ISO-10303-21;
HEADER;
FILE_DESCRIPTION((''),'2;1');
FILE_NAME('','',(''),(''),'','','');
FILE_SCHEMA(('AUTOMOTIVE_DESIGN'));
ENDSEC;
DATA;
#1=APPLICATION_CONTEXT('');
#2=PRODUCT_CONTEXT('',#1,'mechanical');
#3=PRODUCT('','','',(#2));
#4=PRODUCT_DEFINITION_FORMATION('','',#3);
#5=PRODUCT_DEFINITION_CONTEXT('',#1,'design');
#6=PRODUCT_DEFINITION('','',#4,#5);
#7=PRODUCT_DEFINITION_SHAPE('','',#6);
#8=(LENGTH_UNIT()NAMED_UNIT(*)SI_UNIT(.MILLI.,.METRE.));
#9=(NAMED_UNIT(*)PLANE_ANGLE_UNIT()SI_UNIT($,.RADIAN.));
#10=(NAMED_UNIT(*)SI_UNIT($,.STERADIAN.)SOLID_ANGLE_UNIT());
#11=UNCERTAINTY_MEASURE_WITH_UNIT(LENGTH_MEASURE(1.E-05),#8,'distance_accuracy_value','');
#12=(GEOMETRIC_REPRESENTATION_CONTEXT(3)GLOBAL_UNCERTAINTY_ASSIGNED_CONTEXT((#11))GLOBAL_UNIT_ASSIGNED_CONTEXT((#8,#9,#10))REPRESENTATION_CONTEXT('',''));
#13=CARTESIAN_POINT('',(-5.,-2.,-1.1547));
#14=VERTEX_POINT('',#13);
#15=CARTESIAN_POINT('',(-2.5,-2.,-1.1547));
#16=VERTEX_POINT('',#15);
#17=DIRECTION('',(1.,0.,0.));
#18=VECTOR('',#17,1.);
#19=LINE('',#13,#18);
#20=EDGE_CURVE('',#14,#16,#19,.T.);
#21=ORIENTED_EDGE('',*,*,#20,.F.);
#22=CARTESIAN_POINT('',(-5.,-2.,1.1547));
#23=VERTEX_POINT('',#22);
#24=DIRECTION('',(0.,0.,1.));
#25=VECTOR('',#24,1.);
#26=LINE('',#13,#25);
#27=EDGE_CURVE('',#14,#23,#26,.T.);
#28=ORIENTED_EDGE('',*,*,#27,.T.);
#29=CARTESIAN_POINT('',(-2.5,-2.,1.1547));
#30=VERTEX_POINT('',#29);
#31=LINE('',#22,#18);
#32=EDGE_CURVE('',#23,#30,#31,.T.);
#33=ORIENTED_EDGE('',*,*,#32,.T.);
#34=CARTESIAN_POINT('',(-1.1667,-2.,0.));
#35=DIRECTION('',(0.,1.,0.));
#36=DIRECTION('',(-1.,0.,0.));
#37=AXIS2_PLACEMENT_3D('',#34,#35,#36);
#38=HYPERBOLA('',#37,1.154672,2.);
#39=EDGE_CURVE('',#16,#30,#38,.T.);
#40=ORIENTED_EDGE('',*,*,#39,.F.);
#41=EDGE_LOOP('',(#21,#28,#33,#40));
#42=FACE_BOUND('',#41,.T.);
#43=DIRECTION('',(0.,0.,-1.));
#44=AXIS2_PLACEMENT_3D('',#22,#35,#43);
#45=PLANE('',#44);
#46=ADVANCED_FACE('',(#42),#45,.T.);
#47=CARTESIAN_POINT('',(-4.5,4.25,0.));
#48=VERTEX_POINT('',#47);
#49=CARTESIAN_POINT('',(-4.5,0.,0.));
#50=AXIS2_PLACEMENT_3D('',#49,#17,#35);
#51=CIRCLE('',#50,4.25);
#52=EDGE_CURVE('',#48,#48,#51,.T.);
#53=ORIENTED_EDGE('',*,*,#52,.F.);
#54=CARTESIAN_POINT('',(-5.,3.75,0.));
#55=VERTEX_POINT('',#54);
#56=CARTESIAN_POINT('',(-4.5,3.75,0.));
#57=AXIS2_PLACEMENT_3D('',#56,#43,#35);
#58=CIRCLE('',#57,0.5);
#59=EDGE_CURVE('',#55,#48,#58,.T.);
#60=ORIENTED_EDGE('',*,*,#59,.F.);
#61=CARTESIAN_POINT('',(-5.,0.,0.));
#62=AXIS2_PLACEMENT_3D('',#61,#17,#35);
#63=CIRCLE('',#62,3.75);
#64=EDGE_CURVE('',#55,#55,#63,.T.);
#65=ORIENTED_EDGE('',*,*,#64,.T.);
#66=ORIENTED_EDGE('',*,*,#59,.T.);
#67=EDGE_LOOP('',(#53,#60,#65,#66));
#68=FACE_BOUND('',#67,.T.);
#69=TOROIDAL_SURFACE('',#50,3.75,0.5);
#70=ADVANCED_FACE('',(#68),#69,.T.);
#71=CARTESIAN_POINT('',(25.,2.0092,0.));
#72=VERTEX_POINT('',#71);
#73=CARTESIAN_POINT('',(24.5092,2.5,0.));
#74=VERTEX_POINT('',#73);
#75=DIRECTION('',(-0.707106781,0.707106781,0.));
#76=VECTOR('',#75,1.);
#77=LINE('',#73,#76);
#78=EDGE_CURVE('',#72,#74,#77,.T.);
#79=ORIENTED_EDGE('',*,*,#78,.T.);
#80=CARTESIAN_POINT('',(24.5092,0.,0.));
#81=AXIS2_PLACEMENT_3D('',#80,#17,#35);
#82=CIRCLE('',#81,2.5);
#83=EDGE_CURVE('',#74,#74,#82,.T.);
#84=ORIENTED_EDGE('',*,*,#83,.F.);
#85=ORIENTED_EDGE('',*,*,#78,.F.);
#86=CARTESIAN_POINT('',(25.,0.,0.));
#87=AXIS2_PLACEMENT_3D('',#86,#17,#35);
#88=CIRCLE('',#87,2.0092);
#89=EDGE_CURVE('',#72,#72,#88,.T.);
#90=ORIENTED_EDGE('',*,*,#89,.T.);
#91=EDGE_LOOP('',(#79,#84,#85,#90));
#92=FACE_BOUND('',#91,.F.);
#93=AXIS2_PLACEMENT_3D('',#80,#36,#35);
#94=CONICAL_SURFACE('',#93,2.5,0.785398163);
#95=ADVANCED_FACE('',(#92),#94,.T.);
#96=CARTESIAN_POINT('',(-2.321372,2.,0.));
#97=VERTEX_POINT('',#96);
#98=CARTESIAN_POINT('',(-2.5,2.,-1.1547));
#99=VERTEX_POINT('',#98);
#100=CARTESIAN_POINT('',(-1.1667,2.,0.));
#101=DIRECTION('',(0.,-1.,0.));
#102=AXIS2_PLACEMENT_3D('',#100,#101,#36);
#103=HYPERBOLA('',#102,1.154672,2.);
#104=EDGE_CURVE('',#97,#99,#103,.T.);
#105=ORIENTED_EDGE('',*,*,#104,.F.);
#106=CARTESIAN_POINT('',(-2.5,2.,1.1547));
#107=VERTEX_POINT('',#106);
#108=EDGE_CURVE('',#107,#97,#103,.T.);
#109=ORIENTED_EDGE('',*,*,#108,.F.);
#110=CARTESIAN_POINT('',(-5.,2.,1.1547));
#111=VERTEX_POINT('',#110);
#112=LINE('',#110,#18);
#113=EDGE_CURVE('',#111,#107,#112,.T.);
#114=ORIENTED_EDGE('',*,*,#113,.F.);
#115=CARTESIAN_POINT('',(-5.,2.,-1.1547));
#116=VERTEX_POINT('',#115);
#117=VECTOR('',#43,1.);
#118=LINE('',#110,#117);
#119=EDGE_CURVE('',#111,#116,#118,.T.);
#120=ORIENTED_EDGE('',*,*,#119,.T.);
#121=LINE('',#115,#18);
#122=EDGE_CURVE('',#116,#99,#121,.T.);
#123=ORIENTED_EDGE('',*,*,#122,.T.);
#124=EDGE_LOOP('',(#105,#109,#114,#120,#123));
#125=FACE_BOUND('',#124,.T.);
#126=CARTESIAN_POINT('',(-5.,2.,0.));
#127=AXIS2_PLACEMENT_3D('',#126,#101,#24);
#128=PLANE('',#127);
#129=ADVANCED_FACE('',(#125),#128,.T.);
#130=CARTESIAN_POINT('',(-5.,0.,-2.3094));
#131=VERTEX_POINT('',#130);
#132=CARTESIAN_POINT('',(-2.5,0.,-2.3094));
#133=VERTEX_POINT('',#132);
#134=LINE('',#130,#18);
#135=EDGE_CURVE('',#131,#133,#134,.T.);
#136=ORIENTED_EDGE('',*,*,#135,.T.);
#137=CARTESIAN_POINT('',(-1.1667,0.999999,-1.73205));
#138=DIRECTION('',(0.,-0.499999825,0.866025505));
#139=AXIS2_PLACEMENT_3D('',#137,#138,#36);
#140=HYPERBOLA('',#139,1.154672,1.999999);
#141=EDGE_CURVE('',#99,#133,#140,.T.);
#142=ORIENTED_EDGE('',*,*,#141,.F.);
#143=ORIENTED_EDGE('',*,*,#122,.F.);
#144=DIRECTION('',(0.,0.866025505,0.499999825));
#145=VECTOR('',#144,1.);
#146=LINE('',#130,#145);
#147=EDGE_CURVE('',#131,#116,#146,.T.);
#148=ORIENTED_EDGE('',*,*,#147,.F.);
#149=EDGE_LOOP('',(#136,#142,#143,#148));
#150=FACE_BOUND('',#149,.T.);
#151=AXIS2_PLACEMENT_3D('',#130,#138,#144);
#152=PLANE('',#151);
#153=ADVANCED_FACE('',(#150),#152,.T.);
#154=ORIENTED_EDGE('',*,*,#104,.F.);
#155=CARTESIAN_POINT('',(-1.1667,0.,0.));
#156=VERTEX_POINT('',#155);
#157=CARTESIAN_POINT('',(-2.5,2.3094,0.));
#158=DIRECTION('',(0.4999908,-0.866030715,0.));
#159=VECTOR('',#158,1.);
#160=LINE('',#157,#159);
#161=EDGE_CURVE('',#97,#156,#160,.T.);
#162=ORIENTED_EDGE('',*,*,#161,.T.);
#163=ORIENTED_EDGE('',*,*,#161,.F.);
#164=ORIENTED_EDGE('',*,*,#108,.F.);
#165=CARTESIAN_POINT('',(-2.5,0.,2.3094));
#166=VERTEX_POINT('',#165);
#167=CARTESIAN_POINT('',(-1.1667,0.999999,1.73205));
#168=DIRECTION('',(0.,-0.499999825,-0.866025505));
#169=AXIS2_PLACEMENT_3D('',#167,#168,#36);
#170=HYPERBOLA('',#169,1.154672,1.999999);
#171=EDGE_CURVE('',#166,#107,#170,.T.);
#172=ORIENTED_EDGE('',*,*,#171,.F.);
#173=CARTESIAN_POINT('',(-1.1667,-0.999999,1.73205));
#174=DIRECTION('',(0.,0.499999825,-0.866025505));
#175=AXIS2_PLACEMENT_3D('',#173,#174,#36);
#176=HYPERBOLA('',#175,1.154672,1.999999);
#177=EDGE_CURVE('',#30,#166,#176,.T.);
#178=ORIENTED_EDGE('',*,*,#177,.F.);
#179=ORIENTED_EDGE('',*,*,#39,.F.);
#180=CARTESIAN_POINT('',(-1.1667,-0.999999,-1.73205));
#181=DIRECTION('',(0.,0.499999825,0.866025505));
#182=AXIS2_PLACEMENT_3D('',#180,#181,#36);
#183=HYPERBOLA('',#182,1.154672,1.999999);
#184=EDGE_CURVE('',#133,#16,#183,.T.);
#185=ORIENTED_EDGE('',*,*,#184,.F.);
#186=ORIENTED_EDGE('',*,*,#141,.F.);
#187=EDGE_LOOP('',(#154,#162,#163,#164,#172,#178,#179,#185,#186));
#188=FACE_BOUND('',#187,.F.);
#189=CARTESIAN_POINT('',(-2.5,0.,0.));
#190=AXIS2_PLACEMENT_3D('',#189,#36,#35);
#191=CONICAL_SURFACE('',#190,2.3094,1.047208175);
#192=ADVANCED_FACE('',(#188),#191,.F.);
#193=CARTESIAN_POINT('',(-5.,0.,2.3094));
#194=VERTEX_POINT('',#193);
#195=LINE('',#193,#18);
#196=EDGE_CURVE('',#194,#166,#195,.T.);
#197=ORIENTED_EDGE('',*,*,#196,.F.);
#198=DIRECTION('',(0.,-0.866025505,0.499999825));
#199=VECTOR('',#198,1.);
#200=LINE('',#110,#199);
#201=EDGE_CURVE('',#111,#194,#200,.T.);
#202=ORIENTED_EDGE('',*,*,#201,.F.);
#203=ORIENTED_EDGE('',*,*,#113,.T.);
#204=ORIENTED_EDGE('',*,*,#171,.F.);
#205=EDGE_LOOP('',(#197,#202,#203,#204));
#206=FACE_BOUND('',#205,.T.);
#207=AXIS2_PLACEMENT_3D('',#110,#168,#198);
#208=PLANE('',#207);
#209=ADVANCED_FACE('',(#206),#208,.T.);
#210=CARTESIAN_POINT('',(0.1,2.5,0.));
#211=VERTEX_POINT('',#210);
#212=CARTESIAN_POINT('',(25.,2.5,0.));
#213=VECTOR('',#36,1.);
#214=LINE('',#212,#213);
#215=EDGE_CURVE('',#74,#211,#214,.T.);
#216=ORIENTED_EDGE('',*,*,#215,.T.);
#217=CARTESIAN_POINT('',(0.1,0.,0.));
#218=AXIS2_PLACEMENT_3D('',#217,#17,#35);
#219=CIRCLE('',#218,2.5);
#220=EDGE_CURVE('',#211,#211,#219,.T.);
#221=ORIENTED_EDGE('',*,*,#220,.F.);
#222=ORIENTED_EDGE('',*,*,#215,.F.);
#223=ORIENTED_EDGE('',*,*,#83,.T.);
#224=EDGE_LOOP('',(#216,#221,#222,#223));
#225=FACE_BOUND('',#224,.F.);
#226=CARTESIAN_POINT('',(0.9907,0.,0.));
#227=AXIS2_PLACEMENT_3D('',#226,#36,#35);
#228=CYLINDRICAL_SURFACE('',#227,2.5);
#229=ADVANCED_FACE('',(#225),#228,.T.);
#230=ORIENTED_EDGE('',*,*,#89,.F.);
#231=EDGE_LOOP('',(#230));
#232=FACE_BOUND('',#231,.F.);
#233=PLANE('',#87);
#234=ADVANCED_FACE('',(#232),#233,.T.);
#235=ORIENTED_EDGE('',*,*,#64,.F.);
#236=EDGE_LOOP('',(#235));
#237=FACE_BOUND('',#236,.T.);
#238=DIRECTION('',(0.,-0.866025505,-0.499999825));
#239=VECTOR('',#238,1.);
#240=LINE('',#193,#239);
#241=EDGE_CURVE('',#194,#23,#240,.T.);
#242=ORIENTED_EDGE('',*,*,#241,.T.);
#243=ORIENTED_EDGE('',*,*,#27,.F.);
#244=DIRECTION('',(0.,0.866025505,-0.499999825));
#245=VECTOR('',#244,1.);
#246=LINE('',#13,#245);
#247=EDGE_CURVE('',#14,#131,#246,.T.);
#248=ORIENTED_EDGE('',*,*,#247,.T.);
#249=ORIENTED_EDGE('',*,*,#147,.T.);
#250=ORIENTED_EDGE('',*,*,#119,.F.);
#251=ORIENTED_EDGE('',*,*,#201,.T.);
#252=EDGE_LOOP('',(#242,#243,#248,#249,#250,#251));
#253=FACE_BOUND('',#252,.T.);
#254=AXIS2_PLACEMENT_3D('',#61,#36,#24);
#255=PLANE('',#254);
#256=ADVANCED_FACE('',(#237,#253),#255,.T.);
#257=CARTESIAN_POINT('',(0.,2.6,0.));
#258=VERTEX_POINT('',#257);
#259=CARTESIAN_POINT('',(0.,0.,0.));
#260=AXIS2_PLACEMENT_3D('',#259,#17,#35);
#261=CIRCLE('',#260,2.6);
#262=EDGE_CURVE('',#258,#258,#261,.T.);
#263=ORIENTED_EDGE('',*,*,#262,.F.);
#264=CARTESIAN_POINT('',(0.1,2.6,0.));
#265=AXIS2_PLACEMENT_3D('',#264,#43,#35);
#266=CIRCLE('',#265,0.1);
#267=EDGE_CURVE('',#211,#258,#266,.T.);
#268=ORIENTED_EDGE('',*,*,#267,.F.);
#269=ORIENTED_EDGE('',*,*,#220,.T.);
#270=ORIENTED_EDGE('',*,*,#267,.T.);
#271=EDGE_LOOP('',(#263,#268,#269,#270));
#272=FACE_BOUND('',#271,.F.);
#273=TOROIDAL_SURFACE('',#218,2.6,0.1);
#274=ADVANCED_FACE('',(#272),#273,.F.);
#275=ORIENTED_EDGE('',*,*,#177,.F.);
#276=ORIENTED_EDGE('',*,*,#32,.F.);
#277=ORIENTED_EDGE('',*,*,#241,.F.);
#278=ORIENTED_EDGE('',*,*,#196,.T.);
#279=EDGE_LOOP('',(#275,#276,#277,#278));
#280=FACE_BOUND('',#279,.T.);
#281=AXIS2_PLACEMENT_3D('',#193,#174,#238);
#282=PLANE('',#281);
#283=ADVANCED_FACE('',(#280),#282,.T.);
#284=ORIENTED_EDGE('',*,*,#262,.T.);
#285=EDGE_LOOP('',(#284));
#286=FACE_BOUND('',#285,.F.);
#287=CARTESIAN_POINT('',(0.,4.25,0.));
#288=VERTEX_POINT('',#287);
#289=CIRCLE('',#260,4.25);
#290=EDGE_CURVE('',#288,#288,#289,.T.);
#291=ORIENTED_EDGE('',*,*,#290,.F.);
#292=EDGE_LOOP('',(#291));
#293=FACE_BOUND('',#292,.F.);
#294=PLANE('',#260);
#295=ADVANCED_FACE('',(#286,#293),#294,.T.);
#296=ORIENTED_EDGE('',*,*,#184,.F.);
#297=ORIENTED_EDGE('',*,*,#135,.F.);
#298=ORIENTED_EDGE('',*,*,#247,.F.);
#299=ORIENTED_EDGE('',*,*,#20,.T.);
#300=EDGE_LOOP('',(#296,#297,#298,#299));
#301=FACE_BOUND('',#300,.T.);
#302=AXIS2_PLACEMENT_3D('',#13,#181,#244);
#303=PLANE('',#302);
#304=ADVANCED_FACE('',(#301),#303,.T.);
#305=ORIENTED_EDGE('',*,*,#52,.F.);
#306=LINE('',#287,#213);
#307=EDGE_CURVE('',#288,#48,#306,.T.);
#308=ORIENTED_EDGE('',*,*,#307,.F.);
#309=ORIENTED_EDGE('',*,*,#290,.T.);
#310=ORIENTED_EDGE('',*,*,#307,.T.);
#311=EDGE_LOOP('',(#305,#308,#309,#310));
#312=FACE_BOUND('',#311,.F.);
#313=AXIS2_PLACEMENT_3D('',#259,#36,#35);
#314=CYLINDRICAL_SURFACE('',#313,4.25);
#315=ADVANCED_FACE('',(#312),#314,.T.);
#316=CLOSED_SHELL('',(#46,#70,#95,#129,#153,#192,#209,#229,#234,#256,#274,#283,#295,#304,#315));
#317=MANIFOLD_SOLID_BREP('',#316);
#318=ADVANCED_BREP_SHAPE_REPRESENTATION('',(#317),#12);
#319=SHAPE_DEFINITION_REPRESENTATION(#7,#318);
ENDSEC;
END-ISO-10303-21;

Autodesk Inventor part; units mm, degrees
ref_plane "YZ Plane" through (0, 0, 0) normal (1, 0, 0) x (0, 1, 0)
ref_plane "XZ Plane" through (0, 0, 0) normal (0, 1, 0) x (-1, 0, 0)
sketch "Sketch1" plane through (0, 0, 0) normal (0, 0, 1) x (1, 0, 0)
  line L0 (-1.1667, 0) -> (25, 0)
  line L1 (25, 0) -> (25, 2.5)
  line L2 (25, 2.5) -> (1.4815, 2.5)
  line L3 (1.4815, 2.5) -> (0.9907, 2.5)
  line L4 (0.9907, 2.5) -> (0, 2.5)
  line L5 (0, 2.5) -> (0, 4.25)
  line L6 (0, 4.25) -> (-5, 4.25)
  line L7 (-5, 4.25) -> (-5, 2.3094)
  line L8 (-5, 2.3094) -> (-2.5, 2.3094)
  line L9 (-2.5, 2.3094) -> (-1.1667, 0)
  line L10 (-11, 0) -> (31, 0) projected
  line L11 (0, -0.85) -> (0, 5.1) projected
  line L12 (1.4815, 2.5) -> (0, 2.5) construction
  dimension "d1" = 23.5185
  dimension "d2" = 0.4909
  dimension "d3" = 5
  dimension "d4" = 2.5
  dimension "d5" = 60
  dimension "d6" = 5
  dimension "d7" = 5
  dimension "d8" = 4.6188
  dimension "d9" = 8.5
  dimension "d26" = 25
revolve "Body" add sketch "Sketch1" angle 360 about axis through (-1.1667, 0, 0) along (1, 0, 0)
sketch "Sketch2" plane through (-5, 0, 0) normal (-1, 0, 0) x (0, 0, 1)
  circle A0 centre (0, 0) radius 2.3094 projected
  line L0 (0, -5.95) -> (0, 5.95) projected
  line L1 (-5.95, 0) -> (5.95, 0) projected
  line L2 (2.3094, 0) -> (1.1547, -2)
  line L3 (1.1547, -2) -> (-1.1547, -2)
  line L4 (-1.1547, -2) -> (-2.3094, 0)
  line L5 (-2.3094, 0) -> (-1.1547, 2)
  line L6 (-1.1547, 2) -> (1.1547, 2)
  line L7 (1.1547, 2) -> (2.3094, 0)
extrude "Slot" add sketch "Sketch2" against normal up to next contours L7 A0 | A0 L2 | L6 L0 A0 | A0 L0 L3 | L0 L6 A0 | A0 L3 L0 | L4 A0 | A0 L5
fillet "Fillet1" radius 0.5 1 edges at (-5, -4.25, 0)
thread "Thread" size "M5x0.8" class "6g" standard "ISO Metric profile" length 23.5185
chamfer "Chamfer1" distance 0.4908 distance2 0.4908 1 edges at (25, -2.5, 0) measured on face at (25, 0.6587, -0.3326)
ref_plane "Work Plane1" through (29, 0, 0) normal (0, -1, 0) x (1, 0, 0)
fillet "Fillet2" radius 0.1 1 edges at (0, -2.5, 0)
equation "\"d1\" = GEL"
equation "\"d3\" = KOH"
equation "\"d4\" = INTI"
equation "\"d6\" = GD"
equation "\"d7\" = BDM"
equation "\"d8\" = 1.1547 * SW"
equation "\"d9\" = KOD"
equation "\"d26\" = NLG"
equation "\"d30\" = R"
equation "\"d17\" = RR"
equation "\"d13\" = GEL"
equation "\"d15\" = -0.5 * SPD + 0.5 * GD"
equation "\"d16\" = GUL"
equation "\"GD\" = NND"
equation "\"NLG\" = 25"
equation "\"GEL\" = 23.51848"
equation "\"KOD\" = 8.5"
equation "\"KOH\" = 5"
equation "\"INTI\" = 2.5"
equation "\"GAL\" = 0.61345 * PTC"
equation "\"GUL\" = 0.61345 * PTC"
equation "\"BDM\" = NND"
equation "\"SW\" = 4"
equation "\"RR\" = 0.5"
equation "\"SPD\" = 4.01848"
equation "\"R\" = 0.1"
equation "\"TOA\" = 30deg"
equation "\"THREADDIA\" = 5"
equation "\"PTC\" = 0.8"
equation "\"NND\" = 5"
equation "\"E0\" = 1.155 * SW"
equation "\"GD1\" = THREADDIA - 1.2269 * PTC"
properties part number "ANSI B18.3.1M - M5x0.8 x 25" material "Steel, Mild"
